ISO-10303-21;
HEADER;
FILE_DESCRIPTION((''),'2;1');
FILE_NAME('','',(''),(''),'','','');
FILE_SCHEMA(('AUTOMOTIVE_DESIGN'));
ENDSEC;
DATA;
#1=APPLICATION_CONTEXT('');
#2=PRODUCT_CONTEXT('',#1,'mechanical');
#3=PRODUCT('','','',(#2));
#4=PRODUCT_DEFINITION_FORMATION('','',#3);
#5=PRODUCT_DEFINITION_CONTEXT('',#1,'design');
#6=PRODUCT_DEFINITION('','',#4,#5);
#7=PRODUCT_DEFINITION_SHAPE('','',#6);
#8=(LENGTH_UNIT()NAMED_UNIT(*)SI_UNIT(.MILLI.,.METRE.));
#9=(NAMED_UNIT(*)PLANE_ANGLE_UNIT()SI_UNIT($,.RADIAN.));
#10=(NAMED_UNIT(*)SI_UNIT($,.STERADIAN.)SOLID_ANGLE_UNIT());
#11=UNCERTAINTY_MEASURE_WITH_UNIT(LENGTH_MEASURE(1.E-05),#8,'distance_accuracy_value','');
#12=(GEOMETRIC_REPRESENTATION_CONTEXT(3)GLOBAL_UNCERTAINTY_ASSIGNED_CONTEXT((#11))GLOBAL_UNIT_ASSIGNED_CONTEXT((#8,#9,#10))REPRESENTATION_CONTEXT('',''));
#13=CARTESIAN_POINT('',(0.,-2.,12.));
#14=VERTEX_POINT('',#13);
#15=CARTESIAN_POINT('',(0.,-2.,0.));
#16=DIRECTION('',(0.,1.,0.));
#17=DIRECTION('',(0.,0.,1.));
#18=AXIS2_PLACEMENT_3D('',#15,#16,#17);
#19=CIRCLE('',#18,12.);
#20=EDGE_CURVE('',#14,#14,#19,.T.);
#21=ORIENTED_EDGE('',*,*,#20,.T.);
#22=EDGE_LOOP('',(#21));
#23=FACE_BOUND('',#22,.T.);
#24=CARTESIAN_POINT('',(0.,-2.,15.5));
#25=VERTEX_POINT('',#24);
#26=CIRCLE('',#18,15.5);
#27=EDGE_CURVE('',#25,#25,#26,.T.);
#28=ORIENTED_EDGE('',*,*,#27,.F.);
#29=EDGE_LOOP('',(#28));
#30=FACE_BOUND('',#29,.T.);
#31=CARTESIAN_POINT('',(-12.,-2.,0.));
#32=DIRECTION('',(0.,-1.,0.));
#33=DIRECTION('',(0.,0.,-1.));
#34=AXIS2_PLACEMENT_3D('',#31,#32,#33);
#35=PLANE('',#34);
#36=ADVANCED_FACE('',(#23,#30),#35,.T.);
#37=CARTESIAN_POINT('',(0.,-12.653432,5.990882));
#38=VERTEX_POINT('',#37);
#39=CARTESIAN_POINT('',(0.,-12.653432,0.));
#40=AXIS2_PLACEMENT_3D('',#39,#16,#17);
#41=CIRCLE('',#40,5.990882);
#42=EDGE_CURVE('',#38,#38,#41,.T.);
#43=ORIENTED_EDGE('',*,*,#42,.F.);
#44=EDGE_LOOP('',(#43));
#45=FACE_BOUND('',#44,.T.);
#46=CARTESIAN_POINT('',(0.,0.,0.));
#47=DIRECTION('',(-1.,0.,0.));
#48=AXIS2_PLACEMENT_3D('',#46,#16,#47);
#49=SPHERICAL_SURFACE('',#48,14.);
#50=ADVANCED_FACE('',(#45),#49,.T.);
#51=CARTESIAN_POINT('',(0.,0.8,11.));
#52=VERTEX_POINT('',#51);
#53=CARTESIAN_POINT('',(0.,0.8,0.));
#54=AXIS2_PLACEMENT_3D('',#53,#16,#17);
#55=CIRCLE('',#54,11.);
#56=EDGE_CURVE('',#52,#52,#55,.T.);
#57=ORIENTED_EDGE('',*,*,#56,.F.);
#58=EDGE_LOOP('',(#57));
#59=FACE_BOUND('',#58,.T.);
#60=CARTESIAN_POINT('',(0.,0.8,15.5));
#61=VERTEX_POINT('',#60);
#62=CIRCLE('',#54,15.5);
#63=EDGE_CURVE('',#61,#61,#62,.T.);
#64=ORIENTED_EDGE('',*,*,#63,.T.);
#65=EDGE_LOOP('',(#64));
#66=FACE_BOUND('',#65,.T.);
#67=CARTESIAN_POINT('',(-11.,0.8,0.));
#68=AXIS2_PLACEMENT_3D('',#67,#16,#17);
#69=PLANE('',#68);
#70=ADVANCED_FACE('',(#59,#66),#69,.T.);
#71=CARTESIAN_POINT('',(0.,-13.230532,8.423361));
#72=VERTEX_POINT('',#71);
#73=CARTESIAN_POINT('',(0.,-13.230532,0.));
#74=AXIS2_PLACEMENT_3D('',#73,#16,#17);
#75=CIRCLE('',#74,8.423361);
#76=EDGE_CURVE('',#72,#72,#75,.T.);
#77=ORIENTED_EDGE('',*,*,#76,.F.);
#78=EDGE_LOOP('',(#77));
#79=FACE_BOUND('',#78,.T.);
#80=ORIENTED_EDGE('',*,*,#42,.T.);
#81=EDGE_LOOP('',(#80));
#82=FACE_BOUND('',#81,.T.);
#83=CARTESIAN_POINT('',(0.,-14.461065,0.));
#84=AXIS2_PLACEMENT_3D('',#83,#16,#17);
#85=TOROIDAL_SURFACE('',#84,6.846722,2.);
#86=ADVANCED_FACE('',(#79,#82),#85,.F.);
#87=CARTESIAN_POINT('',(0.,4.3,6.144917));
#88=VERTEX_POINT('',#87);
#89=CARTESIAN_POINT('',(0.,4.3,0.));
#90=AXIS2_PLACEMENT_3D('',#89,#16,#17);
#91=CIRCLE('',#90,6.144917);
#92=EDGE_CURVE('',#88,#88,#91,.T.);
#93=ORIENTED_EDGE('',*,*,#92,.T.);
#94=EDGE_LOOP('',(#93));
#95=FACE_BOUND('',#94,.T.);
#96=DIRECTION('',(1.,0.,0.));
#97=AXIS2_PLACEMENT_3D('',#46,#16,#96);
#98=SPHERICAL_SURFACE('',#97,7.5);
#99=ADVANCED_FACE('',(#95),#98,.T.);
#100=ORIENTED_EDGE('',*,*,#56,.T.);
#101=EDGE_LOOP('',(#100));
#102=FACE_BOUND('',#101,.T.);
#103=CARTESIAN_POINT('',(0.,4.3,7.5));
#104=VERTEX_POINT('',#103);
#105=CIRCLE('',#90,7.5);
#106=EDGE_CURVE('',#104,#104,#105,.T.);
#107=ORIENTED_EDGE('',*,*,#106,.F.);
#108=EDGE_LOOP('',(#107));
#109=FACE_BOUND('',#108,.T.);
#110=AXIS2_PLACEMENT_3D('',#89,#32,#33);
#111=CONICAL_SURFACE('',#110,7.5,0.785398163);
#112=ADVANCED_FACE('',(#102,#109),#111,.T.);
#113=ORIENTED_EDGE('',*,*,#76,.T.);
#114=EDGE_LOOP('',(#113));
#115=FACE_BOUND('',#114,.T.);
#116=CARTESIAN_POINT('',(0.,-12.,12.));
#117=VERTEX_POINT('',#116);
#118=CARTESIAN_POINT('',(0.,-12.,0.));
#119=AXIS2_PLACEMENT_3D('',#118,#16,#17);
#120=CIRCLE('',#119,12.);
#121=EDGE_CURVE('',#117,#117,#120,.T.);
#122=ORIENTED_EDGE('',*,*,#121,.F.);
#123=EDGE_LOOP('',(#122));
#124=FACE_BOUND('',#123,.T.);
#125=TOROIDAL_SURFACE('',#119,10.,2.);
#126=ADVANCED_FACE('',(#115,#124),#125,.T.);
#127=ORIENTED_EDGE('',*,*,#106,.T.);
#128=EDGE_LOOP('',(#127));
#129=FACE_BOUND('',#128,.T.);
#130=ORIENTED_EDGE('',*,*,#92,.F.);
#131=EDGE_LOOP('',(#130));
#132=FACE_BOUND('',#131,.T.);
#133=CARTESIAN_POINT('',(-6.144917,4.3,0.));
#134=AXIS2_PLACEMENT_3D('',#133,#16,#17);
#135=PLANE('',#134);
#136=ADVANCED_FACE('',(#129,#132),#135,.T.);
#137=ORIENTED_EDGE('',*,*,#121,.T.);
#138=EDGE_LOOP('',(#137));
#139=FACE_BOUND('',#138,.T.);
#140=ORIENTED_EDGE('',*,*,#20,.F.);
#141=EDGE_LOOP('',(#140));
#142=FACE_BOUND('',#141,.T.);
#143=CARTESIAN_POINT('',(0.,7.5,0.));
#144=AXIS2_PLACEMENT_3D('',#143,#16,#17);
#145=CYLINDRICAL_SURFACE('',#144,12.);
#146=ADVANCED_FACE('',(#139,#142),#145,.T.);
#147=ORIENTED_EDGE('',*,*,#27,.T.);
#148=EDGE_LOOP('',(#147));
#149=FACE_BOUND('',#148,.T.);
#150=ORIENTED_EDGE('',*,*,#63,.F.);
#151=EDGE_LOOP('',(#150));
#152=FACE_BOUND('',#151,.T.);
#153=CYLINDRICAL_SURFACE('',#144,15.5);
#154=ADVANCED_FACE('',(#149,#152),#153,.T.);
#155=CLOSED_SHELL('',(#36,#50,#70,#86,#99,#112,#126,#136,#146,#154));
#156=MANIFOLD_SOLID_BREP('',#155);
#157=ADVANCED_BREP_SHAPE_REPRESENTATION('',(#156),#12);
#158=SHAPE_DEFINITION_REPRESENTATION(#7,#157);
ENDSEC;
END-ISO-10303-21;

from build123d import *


with BuildPart() as part:
    # Esquisse1 → Révolution1 (revolve)
    with BuildSketch(Plane.XY, mode=Mode.PRIVATE) as r_volution1_sk:
        with BuildLine():
            Line((-12, -2), (-15.5, -2))
            Line((-15.5, -2), (-15.5, 0.8))
            Line((-15.5, 0.8), (-11, 0.8))
            Line((-11, 0.8), (-7.5, 4.3))
            Line((-7.5, 4.3), (-6.144916598, 4.3))
            ThreePointArc((-6.144916598, 4.3), (-3.464101615, 6.652067348), (0, 7.5))
            Line((0, 7.5), (0, -14))
            ThreePointArc((0, -14), (-3.070175628, -13.659210139), (-5.990882009, -12.653431659))
            ThreePointArc((-5.990882009, -12.653431659), (-7.30840287, -12.515081442), (-8.423361148, -13.230532377))
            ThreePointArc((-8.423361148, -13.230532377), (-10.650662084, -13.891200373), (-12, -12))
            Line((-12, -12), (-12, -2))
        make_face()
    revolve(r_volution1_sk.sketch.rotate(Axis((0, 7.5, 0), (0, -1, 0)), 270), axis=Axis((0, 7.5, 0), (0, -1, 0)))


solid = part.part
